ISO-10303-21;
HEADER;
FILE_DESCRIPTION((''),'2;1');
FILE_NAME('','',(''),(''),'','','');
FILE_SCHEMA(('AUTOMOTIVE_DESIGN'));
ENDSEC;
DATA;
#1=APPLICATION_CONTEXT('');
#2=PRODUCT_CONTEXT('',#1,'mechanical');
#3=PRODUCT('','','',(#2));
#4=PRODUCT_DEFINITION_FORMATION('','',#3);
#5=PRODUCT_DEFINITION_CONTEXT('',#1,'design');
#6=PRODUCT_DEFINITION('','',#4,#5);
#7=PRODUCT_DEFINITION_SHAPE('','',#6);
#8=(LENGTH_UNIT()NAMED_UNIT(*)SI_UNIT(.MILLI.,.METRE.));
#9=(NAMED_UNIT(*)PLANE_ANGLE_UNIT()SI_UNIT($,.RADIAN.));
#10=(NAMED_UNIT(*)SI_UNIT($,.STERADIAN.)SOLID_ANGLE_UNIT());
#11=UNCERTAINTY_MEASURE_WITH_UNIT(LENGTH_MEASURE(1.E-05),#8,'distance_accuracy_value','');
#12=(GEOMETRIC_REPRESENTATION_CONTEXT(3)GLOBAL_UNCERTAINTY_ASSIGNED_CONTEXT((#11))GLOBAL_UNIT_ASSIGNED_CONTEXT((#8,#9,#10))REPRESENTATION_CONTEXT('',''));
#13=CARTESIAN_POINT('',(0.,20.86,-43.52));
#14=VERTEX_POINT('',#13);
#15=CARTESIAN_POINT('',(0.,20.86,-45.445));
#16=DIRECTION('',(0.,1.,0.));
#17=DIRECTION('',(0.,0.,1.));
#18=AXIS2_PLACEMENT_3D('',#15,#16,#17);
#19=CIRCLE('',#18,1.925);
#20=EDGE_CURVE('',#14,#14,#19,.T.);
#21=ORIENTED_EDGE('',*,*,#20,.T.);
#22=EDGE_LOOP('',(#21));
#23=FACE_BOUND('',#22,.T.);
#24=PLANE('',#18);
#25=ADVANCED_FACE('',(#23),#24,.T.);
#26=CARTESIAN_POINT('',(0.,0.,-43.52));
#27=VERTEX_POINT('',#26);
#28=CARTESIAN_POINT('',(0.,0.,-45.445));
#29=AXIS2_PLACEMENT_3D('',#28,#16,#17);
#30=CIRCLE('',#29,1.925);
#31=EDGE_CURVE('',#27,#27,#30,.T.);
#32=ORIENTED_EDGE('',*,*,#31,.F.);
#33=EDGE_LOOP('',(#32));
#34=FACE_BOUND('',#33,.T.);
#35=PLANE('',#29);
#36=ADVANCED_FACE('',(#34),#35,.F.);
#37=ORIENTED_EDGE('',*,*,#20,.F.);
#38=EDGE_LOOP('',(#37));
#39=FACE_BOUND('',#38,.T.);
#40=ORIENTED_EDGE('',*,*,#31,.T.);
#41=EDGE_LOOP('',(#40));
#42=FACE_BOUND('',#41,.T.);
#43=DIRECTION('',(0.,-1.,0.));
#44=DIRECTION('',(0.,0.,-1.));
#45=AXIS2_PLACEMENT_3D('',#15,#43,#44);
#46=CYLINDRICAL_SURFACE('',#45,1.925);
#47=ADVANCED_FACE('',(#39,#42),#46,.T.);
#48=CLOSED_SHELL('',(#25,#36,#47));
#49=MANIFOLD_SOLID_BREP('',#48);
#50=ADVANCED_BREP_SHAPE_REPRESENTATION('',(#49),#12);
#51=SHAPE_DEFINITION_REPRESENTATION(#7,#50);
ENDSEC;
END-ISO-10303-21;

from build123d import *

# Parameters (mm, degrees)
SKETCH1_R           = 1.925
BOSS_EXTRUDE1_DEPTH = 20.86


with BuildPart() as part:
    # Sketch1 → Boss-Extrude1 (new body)
    with BuildSketch(Plane(origin=(0, 0, 0), x_dir=(1, 0, 0), z_dir=(0, 1, 0))):
        with Locations((0, 45.445)):
            Circle(SKETCH1_R)
    extrude(amount=BOSS_EXTRUDE1_DEPTH)


solid = part.part
